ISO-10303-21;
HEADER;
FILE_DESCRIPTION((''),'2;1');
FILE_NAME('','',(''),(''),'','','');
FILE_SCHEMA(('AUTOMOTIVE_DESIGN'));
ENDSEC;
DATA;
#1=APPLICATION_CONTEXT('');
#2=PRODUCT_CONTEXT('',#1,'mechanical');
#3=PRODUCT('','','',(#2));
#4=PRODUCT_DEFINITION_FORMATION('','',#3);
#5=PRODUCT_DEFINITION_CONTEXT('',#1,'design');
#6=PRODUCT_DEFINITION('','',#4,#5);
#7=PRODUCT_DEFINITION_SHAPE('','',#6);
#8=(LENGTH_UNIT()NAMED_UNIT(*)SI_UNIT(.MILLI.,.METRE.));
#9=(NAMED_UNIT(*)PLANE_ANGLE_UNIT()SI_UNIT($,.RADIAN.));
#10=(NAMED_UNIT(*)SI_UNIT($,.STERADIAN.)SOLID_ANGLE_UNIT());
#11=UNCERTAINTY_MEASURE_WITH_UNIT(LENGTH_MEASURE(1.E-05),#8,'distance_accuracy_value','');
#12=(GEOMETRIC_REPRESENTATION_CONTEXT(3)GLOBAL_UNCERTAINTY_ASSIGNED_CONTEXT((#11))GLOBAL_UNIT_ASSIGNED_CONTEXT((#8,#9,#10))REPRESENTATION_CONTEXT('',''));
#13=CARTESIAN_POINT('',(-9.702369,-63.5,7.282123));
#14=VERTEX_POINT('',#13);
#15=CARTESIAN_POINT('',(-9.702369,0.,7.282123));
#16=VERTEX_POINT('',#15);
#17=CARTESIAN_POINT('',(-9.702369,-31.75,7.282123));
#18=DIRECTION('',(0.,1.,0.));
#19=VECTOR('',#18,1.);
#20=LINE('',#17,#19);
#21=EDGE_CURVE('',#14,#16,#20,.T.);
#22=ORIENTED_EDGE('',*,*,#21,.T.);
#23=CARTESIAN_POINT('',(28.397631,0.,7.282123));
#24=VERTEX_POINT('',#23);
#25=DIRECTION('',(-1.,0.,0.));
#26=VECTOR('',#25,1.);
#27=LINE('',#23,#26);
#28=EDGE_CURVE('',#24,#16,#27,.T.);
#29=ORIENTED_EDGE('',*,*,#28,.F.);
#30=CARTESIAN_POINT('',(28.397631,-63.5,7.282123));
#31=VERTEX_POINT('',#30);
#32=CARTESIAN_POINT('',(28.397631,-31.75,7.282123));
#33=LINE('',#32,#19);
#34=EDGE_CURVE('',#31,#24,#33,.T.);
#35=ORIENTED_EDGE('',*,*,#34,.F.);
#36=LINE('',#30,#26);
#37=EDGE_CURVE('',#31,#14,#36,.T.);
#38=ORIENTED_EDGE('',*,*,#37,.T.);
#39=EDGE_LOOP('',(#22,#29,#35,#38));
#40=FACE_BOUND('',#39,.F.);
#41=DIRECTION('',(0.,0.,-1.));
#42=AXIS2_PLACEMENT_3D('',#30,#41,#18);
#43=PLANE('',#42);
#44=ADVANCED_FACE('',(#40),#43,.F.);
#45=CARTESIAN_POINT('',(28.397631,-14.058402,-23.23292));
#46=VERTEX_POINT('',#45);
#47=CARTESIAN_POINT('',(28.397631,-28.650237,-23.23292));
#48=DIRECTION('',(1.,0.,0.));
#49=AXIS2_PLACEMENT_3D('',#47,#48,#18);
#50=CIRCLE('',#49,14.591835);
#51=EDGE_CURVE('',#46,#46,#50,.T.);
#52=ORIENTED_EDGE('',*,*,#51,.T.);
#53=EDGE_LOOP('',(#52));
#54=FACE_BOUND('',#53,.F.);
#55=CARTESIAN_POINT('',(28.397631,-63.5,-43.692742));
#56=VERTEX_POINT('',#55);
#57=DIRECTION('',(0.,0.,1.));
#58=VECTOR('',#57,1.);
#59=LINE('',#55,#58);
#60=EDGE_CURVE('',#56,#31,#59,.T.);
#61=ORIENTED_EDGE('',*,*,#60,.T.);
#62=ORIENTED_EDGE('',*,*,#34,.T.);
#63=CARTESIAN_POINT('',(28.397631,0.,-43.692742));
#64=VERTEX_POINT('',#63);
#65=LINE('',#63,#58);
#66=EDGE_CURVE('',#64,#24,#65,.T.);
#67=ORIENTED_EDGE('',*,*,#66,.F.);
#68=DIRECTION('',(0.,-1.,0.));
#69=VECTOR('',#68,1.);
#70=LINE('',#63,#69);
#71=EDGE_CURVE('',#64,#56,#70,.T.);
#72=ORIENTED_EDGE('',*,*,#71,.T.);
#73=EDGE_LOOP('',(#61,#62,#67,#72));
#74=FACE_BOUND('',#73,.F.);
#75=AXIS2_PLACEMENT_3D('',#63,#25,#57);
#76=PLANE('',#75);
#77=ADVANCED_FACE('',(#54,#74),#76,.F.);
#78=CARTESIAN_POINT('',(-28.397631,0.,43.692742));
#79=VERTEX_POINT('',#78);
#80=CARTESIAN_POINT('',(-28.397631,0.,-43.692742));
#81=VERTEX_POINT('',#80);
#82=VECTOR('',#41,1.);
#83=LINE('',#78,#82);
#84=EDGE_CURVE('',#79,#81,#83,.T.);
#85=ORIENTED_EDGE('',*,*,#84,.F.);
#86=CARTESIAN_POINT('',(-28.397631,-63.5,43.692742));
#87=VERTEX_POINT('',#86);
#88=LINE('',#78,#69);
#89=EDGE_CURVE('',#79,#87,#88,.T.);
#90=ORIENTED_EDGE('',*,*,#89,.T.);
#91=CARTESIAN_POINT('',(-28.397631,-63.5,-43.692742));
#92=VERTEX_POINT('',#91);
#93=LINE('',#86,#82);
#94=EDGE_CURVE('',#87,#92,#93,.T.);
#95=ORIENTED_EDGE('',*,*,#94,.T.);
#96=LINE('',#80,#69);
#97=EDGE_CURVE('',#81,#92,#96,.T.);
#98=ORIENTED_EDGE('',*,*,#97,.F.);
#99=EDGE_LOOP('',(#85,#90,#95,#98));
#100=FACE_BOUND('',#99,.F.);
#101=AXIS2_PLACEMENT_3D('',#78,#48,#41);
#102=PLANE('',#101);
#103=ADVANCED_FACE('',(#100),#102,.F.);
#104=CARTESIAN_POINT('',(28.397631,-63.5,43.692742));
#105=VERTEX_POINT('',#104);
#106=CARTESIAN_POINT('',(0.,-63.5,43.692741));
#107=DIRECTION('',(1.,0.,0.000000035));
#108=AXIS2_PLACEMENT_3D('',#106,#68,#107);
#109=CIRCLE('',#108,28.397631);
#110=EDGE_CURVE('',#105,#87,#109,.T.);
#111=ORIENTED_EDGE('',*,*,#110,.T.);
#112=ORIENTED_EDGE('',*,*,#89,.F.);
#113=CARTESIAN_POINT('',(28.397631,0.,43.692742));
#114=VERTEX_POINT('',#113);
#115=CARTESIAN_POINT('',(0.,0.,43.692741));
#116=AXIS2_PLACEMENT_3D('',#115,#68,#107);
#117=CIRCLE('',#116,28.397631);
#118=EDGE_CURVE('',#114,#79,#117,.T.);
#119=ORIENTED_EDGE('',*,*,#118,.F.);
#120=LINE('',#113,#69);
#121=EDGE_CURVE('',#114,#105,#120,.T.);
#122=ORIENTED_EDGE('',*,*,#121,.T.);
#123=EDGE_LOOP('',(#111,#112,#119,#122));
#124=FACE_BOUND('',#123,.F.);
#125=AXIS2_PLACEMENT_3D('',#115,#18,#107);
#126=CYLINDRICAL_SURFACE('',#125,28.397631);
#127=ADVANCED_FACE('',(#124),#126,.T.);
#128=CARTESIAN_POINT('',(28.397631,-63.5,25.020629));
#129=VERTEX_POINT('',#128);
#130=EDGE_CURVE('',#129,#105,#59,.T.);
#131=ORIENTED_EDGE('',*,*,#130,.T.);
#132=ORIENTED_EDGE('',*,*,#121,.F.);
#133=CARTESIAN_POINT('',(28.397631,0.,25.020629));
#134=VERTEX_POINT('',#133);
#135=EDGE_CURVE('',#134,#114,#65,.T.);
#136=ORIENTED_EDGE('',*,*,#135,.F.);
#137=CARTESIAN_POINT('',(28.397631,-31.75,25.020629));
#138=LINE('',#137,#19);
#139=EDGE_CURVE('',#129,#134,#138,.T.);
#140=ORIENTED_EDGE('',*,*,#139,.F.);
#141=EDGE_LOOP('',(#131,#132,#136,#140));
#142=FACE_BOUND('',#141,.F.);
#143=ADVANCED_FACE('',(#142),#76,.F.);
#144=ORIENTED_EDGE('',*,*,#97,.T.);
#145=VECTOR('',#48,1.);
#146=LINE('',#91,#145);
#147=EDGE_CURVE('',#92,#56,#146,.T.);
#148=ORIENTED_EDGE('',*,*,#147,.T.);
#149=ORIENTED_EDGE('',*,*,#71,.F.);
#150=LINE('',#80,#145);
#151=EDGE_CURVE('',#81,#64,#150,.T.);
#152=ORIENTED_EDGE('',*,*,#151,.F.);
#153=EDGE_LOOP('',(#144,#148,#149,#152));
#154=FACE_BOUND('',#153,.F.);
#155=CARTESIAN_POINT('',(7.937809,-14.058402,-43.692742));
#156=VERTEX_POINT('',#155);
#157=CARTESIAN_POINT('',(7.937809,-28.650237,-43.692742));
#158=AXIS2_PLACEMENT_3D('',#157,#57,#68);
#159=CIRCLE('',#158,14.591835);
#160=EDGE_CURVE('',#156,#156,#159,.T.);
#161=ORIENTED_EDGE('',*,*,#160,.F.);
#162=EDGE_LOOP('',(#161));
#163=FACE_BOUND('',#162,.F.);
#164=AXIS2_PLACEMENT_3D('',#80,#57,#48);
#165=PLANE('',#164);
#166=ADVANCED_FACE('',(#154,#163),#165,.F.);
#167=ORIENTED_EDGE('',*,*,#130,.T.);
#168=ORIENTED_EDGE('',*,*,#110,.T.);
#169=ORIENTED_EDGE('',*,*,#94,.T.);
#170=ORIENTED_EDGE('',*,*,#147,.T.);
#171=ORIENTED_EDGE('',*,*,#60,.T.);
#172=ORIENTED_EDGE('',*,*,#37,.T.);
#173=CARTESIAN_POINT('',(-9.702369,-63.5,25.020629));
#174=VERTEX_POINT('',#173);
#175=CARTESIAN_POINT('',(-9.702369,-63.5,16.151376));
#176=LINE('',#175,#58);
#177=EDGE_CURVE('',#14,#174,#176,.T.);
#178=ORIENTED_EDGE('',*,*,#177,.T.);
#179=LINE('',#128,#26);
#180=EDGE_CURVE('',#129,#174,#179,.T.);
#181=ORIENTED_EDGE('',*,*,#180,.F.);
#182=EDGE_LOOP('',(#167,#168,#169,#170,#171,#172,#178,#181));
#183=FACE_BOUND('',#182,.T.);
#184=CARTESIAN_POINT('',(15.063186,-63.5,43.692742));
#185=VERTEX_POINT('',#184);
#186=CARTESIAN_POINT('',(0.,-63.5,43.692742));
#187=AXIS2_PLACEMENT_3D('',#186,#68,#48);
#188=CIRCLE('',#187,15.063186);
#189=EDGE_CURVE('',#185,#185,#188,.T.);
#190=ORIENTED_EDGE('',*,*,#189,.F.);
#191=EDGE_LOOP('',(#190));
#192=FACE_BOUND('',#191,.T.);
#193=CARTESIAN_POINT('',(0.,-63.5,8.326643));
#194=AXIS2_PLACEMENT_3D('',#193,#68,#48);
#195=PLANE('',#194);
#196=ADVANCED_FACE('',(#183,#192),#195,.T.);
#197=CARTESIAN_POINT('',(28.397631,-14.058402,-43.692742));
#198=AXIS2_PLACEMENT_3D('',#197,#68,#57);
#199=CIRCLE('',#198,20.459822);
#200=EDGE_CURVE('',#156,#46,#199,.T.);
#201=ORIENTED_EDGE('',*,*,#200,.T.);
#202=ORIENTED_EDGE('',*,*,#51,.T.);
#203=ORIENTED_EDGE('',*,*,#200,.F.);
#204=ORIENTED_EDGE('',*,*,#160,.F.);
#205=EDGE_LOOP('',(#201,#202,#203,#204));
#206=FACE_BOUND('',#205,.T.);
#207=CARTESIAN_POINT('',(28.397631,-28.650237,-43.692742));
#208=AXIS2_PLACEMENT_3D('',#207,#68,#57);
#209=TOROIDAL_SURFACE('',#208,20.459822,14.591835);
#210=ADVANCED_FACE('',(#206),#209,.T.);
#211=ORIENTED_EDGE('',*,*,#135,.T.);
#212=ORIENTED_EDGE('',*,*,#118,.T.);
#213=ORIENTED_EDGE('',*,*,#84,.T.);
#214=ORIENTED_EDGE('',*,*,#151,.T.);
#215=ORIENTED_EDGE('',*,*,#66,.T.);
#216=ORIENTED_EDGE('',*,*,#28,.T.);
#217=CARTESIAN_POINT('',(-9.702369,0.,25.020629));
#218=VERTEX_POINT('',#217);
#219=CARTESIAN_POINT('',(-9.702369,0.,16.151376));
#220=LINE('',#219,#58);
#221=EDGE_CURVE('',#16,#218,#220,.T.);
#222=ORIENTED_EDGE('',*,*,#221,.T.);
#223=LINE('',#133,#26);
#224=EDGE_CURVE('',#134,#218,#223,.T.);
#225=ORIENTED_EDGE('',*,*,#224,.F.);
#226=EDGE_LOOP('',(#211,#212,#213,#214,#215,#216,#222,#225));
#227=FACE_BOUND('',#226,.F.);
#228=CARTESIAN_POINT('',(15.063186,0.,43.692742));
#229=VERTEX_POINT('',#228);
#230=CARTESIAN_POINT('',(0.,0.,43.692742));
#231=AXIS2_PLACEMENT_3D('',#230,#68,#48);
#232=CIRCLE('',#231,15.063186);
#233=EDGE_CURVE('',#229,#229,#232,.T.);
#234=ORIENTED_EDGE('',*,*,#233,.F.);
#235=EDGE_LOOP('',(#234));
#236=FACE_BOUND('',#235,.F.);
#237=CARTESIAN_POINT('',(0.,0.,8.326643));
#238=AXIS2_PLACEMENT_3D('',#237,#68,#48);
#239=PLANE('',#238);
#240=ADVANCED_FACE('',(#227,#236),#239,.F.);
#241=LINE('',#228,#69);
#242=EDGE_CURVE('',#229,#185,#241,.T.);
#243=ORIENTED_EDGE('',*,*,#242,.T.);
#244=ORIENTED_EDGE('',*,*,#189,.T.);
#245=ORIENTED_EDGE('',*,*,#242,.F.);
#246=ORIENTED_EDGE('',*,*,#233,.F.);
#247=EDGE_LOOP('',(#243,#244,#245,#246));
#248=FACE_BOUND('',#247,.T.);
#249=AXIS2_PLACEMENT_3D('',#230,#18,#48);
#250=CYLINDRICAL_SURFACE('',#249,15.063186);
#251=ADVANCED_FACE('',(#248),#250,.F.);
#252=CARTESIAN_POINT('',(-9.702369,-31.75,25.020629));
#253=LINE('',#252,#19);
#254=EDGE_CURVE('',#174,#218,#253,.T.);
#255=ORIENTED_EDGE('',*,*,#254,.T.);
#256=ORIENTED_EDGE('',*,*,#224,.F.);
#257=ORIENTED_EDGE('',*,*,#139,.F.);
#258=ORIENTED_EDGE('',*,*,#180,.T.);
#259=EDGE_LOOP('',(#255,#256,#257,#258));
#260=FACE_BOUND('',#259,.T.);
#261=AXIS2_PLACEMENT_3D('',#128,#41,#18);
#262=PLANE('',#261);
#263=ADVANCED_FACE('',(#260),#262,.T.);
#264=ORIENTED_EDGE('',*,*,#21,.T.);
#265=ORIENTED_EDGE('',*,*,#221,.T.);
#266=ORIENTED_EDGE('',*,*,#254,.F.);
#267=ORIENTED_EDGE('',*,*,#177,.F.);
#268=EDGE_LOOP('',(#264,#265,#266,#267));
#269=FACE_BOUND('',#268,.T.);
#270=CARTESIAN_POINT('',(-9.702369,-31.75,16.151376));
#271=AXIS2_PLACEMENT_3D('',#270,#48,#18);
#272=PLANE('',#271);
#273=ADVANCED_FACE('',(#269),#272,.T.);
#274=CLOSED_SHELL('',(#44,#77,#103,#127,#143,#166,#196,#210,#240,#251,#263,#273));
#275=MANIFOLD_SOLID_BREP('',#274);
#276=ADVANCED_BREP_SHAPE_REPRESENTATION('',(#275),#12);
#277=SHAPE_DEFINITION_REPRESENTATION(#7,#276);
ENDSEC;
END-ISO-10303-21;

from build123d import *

# Parameters (mm, degrees)
F0_R     = 15.063186
F1_DEPTH = 63.5
F2_W     = 63.5
F2_H     = 17.738506
F3_DEPTH = 38.1
F4_R     = 14.591835


with BuildPart() as f1:
    # F0 (on Front) → F1 (new body)
    with BuildSketch(Plane.XZ):
        with BuildLine():
            Line((-28.397631, -43.692742), (28.397631, -43.692742))
            Line((28.397631, -43.692742), (28.397631, 43.692742))
            ThreePointArc((28.397631, 43.692742), (0, 72.090372), (-28.397631, 43.692742))
            Line((-28.397631, 43.692742), (-28.397631, -43.692742))
        make_face()
        with Locations((0, 43.692742)):
            Circle(F0_R, mode=Mode.SUBTRACT)
    extrude(amount=F1_DEPTH)

    # F2 (on face) → F3 (cut)
    with BuildSketch(Plane.YZ.offset(28.397631)):
        with Locations((-31.75, 16.151376)):
            Rectangle(F2_W, F2_H)
    extrude(amount=-F3_DEPTH, mode=Mode.SUBTRACT)

    # F4 (on face) → F5 (revolve)
    with BuildSketch(Plane.YZ.offset(28.397631)):
        with Locations((-28.650237, -23.23292)):
            Circle(F4_R)
    revolve(axis=Axis((28.397631, -31.75, -43.692742), (0, -1, 0)))


solid = f1.part
